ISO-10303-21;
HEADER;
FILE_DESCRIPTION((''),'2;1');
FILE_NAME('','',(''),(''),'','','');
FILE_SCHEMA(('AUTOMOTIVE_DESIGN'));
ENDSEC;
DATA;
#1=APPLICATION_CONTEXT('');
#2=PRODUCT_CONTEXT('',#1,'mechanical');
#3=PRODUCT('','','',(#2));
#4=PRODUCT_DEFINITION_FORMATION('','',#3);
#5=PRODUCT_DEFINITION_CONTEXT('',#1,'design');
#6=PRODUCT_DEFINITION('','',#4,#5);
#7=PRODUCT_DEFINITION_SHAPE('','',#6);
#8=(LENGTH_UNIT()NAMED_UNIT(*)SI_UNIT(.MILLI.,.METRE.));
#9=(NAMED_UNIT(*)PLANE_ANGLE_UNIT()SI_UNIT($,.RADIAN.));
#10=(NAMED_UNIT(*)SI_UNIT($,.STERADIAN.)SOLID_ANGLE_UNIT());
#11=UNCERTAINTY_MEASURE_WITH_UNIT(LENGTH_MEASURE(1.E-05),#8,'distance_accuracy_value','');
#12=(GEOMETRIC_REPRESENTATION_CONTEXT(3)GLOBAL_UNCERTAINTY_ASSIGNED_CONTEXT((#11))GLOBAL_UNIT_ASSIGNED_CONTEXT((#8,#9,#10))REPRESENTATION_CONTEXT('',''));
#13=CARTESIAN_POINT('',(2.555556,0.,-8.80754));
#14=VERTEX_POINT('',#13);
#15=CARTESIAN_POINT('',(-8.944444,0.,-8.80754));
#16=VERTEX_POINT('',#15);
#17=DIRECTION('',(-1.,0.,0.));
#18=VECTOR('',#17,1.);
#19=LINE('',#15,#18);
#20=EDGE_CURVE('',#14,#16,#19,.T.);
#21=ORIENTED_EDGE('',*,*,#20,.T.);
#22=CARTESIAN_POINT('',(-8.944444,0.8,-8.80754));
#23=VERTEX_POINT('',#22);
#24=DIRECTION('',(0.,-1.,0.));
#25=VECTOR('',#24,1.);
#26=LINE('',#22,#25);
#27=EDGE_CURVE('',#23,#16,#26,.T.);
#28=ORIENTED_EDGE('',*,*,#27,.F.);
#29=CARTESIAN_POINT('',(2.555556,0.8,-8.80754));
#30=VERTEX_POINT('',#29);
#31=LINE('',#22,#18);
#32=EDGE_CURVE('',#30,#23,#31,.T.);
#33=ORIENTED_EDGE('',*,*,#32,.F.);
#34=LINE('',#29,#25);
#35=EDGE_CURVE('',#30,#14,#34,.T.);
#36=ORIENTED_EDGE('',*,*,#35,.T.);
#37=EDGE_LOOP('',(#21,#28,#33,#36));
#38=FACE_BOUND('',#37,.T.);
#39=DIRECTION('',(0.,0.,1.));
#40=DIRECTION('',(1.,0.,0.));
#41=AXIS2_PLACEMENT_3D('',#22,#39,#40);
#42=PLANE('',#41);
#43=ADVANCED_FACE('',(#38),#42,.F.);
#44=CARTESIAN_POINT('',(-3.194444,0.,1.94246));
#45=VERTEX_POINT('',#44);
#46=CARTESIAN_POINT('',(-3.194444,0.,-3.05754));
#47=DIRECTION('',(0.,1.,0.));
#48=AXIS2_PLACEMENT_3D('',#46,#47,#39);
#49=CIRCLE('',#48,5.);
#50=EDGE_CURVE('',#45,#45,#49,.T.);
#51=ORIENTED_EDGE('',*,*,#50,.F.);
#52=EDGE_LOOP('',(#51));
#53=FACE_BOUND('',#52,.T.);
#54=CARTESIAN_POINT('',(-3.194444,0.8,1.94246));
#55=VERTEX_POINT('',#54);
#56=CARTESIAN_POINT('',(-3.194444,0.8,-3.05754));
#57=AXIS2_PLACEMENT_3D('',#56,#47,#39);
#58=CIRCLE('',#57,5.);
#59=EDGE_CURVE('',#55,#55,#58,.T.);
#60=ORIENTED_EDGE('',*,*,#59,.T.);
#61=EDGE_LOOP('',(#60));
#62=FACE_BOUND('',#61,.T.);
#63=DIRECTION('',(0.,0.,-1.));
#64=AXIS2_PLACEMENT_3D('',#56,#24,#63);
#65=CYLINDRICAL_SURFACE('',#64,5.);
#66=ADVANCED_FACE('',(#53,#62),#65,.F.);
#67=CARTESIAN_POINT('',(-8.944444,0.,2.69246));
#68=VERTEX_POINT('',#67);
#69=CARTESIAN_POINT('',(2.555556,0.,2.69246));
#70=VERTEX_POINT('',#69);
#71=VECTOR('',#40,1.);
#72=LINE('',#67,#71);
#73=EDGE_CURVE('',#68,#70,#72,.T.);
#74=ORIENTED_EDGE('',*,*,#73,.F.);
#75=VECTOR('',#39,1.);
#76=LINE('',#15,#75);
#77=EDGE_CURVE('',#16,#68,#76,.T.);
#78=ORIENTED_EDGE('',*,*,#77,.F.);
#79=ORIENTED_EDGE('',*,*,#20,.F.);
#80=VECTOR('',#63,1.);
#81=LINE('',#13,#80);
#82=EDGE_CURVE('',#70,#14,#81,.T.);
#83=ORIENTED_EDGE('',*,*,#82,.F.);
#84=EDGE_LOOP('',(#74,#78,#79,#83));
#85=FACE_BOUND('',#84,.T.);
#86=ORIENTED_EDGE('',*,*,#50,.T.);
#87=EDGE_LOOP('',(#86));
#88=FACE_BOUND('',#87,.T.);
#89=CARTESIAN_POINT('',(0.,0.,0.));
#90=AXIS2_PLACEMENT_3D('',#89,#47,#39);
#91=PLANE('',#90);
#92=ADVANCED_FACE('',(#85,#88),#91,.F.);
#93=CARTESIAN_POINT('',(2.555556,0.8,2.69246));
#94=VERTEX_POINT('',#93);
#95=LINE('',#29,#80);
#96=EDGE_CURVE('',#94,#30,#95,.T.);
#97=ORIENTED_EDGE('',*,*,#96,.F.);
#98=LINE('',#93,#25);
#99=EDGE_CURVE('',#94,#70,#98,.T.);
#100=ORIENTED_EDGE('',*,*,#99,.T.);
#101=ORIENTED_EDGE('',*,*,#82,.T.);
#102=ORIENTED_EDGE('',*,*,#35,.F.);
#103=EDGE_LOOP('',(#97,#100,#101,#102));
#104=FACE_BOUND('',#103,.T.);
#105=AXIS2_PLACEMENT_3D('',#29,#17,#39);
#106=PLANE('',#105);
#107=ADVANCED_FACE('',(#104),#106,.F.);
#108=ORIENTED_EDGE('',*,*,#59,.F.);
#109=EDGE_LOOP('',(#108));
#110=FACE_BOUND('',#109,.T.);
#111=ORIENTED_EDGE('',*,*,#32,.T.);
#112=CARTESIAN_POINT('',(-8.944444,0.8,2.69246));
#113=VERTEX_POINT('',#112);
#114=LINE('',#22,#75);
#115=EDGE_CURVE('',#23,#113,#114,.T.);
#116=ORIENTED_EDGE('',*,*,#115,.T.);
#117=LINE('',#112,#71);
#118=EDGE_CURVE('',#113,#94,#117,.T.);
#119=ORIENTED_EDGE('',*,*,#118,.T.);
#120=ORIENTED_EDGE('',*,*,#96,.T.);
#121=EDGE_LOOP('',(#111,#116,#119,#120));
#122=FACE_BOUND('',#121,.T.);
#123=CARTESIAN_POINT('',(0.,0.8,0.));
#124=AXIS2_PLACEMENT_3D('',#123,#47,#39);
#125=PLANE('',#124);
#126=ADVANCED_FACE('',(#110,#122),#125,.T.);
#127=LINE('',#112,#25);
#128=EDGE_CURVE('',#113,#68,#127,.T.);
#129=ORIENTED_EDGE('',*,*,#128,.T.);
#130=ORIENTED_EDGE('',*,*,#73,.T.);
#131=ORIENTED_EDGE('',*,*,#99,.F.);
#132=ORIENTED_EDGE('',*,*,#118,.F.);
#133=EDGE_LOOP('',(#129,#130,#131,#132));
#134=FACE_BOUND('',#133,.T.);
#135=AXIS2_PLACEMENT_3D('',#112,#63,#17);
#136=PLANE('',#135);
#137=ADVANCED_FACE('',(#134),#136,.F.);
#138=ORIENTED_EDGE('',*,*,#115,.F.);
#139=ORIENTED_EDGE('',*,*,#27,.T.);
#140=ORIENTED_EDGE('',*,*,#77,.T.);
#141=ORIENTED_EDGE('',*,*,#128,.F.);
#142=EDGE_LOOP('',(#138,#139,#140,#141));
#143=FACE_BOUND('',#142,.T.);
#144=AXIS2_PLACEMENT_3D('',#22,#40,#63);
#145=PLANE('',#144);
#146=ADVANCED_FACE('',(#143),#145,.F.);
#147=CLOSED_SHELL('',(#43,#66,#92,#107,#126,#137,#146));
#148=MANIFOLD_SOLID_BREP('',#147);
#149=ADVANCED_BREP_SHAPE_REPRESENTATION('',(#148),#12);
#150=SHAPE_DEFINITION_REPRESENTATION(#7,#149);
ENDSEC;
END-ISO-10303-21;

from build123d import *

# Parameters (mm, degrees)
SKETCH1_W           = 11.5
SKETCH1_H           = 11.5
SKETCH1_R           = 5
BOSS_EXTRUDE1_DEPTH = 0.8


with BuildPart() as part:
    # Sketch1 → Boss-Extrude1 (new body)
    with BuildSketch(Plane(origin=(0, 0, 0), x_dir=(1, 0, 0), z_dir=(0, 1, 0))):
        with Locations((-3.194444444, 3.057539683)):
            Rectangle(SKETCH1_W, SKETCH1_H)
        with Locations((-3.194444444, 3.057539683)):
            Circle(SKETCH1_R, mode=Mode.SUBTRACT)
    extrude(amount=BOSS_EXTRUDE1_DEPTH)


solid = part.part
